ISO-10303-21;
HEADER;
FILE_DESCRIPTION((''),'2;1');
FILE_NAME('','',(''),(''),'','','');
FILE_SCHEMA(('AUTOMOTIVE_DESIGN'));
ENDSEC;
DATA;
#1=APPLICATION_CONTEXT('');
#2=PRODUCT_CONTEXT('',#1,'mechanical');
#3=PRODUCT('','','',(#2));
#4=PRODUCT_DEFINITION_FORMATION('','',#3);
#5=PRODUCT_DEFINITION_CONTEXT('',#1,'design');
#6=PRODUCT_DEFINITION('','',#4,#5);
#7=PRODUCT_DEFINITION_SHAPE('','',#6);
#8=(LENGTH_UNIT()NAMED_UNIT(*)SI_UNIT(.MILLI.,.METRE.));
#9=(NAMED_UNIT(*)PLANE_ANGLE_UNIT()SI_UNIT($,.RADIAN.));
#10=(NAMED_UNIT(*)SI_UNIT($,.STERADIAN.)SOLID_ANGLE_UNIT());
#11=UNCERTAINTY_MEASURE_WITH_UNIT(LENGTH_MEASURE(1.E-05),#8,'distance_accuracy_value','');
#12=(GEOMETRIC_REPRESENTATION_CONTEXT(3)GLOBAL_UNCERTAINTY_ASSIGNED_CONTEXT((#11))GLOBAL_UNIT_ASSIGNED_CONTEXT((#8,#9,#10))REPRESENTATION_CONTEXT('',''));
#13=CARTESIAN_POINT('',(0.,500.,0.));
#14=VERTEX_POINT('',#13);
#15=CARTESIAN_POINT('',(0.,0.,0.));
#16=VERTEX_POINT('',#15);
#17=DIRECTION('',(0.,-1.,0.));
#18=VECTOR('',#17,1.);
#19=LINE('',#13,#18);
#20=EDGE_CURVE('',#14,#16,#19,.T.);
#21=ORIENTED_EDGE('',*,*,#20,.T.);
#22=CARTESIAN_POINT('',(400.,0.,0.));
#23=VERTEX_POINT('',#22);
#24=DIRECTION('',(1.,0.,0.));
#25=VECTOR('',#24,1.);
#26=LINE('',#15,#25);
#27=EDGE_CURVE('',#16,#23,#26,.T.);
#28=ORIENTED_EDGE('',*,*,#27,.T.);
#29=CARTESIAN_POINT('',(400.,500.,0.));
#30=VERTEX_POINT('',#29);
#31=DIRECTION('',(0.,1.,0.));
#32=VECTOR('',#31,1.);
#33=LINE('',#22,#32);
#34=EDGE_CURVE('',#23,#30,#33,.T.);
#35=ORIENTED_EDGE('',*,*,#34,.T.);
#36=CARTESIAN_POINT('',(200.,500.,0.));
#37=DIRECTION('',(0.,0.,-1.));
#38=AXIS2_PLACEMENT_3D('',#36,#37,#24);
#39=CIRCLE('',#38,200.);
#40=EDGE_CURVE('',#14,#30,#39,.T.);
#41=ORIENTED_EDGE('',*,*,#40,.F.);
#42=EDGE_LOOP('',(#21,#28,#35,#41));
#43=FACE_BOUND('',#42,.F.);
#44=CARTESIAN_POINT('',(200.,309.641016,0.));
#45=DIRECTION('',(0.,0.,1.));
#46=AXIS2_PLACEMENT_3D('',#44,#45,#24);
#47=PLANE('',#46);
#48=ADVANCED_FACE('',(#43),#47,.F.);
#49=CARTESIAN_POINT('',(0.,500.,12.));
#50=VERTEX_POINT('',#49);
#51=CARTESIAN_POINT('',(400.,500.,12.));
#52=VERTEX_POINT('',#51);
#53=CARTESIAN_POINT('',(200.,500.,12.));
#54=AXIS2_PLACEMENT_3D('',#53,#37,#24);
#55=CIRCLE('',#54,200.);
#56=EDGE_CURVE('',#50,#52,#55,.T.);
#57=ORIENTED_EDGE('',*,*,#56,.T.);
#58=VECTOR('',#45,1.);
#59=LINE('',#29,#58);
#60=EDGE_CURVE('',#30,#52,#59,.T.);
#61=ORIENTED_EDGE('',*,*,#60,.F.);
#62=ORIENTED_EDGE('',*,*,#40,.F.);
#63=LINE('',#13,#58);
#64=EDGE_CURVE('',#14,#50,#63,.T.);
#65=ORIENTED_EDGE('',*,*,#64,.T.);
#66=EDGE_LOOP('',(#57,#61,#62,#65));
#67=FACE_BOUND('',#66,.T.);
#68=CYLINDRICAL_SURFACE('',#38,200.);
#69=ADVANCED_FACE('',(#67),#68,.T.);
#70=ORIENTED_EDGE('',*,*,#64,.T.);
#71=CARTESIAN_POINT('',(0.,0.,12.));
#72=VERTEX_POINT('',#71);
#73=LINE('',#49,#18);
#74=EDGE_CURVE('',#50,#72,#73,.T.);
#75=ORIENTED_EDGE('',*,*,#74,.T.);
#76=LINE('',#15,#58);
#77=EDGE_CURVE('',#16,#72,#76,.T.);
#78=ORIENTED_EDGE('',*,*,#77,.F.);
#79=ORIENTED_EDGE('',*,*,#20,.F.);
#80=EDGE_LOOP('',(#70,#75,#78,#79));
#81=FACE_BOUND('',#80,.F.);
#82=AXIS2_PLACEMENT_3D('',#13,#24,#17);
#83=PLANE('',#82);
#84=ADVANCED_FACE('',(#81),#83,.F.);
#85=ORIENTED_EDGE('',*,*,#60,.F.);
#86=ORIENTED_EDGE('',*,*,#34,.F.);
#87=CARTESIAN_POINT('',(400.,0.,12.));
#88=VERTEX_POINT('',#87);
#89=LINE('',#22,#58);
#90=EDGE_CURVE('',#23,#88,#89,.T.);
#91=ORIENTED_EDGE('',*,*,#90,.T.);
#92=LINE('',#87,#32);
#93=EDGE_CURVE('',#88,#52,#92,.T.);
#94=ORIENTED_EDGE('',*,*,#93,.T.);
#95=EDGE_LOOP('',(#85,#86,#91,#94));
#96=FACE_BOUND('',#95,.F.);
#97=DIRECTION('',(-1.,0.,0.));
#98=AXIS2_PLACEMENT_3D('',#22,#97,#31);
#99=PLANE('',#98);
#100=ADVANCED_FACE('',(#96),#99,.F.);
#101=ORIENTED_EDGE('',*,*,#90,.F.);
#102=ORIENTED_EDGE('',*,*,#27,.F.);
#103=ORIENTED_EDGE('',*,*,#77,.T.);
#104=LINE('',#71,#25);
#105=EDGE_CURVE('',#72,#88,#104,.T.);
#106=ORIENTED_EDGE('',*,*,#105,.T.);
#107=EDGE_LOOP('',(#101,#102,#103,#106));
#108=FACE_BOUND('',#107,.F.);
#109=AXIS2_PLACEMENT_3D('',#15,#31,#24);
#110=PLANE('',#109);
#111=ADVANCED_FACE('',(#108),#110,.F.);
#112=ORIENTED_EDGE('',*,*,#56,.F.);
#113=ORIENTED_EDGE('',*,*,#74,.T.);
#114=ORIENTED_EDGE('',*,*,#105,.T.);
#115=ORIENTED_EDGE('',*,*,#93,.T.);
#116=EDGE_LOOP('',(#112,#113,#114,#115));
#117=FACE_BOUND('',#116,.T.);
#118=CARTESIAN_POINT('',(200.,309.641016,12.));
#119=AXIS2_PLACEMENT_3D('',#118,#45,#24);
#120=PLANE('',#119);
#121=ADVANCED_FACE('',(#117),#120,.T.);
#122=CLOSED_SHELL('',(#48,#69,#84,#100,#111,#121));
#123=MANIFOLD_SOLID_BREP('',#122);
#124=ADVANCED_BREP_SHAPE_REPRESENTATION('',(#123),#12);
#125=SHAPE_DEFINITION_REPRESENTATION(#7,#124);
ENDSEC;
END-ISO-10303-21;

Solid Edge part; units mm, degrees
sketch "Sketch1" plane through (0, 0, 0) normal (0, 0, 1) x (1, 0, 0)
  line L0 (0, 0) -> (400, 0)
  line L1 (400, 0) -> (400, 500)
  arc A0 (0, 500) -> (400, 500) centre (200, 500) cw
  line L2 (0, 500) -> (0, 0)
extrude "Protrusion1" add sketch "Sketch1" along normal blind 12
